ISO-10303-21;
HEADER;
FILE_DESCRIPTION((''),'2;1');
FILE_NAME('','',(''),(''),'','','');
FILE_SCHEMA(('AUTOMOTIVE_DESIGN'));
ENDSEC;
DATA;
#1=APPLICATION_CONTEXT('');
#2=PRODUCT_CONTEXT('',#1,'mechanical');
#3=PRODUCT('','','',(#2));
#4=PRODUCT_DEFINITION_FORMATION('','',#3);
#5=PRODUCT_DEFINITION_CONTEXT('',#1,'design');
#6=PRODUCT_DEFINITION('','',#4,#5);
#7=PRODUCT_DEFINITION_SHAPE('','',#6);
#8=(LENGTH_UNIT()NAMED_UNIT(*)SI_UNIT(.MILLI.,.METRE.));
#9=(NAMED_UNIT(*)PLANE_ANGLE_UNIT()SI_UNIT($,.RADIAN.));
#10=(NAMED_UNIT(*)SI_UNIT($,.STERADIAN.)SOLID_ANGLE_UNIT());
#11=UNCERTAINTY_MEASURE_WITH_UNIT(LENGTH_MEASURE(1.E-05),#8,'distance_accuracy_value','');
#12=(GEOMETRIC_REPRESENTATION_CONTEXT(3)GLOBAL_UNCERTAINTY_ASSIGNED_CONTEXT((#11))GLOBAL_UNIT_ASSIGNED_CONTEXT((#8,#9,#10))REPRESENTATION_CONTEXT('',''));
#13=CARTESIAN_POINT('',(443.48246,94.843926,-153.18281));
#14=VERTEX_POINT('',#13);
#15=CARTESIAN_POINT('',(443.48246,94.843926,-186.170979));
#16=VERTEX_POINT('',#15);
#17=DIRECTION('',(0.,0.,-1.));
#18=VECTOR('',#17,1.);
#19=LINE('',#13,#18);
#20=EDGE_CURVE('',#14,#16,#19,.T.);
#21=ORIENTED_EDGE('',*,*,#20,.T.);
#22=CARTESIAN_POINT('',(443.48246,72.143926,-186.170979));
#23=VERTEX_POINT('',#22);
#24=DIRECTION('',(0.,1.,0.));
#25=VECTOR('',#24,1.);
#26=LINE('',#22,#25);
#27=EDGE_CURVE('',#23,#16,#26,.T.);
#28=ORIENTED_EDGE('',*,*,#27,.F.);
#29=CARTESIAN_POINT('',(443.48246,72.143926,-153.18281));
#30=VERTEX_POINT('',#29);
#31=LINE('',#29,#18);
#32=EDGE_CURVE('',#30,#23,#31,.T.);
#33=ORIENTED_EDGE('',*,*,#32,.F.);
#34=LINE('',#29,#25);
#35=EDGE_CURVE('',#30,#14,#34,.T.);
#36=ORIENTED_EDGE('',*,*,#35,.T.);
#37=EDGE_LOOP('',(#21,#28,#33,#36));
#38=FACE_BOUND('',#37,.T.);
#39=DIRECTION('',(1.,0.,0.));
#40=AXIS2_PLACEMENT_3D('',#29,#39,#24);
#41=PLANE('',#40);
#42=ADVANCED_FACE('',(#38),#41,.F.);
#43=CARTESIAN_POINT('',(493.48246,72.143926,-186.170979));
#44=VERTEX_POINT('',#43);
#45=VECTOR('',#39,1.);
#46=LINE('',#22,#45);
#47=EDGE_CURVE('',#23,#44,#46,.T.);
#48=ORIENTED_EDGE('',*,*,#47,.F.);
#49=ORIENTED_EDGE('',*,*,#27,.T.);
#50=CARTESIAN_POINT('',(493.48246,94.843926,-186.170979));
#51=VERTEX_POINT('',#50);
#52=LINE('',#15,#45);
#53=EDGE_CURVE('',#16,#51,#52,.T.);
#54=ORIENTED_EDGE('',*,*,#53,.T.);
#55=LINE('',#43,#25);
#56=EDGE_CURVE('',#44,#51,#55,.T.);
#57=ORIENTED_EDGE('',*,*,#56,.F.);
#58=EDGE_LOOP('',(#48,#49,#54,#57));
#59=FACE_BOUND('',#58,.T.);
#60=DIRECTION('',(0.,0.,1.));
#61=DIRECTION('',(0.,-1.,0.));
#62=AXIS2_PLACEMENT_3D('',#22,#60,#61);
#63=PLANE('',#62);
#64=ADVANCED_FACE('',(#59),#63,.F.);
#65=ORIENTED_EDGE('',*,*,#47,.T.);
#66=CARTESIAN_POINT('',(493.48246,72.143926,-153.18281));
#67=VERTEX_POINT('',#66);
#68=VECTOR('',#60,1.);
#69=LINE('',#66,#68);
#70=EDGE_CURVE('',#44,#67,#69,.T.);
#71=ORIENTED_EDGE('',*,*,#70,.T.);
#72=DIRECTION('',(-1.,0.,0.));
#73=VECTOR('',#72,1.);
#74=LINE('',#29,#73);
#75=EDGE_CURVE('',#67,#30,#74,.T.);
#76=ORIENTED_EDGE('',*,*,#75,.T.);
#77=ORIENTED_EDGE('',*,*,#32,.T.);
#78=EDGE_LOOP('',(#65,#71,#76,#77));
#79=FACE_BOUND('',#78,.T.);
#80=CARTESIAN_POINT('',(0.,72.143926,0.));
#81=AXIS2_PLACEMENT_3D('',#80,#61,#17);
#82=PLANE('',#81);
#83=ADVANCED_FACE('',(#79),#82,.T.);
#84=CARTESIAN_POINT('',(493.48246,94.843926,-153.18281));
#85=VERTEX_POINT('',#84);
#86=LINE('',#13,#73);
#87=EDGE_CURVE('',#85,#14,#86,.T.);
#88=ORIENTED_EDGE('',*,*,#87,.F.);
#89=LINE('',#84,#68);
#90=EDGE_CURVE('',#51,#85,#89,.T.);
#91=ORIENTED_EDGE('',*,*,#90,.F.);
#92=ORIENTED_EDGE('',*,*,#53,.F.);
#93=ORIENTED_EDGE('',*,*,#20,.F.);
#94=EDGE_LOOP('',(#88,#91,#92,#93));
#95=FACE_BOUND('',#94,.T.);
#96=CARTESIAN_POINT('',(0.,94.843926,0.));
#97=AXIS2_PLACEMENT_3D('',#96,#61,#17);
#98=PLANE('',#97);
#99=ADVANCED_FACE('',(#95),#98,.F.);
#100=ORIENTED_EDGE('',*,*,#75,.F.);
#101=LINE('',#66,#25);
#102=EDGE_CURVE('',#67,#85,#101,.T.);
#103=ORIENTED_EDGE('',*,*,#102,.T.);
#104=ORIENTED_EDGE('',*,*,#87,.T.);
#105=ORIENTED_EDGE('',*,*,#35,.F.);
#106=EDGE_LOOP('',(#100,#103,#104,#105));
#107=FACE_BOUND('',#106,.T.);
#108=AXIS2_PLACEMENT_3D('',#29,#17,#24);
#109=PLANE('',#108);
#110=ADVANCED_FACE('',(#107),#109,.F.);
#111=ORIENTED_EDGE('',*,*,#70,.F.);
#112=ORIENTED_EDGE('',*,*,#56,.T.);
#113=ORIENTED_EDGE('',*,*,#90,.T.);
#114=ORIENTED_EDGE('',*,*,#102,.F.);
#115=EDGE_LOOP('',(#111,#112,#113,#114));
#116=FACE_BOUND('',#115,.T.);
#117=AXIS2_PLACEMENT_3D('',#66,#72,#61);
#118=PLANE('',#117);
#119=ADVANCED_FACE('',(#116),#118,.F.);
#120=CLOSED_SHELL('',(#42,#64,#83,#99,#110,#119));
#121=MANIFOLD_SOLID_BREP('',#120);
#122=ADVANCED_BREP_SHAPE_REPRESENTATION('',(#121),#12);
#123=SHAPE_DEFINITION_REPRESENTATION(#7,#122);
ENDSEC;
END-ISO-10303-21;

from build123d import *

# Parameters (mm, degrees)
SKETCH1_W           = 50
SKETCH1_H           = 32.988169243
BOSS_EXTRUDE1_DEPTH = 22.7


with BuildPart() as part:
    # Sketch1 → Boss-Extrude1 (new body)
    with BuildSketch(Plane.XZ.offset(-94.843926475)):
        with Locations((468.482459861, -169.676894361)):
            Rectangle(SKETCH1_W, SKETCH1_H)
    extrude(amount=BOSS_EXTRUDE1_DEPTH)


solid = part.part
